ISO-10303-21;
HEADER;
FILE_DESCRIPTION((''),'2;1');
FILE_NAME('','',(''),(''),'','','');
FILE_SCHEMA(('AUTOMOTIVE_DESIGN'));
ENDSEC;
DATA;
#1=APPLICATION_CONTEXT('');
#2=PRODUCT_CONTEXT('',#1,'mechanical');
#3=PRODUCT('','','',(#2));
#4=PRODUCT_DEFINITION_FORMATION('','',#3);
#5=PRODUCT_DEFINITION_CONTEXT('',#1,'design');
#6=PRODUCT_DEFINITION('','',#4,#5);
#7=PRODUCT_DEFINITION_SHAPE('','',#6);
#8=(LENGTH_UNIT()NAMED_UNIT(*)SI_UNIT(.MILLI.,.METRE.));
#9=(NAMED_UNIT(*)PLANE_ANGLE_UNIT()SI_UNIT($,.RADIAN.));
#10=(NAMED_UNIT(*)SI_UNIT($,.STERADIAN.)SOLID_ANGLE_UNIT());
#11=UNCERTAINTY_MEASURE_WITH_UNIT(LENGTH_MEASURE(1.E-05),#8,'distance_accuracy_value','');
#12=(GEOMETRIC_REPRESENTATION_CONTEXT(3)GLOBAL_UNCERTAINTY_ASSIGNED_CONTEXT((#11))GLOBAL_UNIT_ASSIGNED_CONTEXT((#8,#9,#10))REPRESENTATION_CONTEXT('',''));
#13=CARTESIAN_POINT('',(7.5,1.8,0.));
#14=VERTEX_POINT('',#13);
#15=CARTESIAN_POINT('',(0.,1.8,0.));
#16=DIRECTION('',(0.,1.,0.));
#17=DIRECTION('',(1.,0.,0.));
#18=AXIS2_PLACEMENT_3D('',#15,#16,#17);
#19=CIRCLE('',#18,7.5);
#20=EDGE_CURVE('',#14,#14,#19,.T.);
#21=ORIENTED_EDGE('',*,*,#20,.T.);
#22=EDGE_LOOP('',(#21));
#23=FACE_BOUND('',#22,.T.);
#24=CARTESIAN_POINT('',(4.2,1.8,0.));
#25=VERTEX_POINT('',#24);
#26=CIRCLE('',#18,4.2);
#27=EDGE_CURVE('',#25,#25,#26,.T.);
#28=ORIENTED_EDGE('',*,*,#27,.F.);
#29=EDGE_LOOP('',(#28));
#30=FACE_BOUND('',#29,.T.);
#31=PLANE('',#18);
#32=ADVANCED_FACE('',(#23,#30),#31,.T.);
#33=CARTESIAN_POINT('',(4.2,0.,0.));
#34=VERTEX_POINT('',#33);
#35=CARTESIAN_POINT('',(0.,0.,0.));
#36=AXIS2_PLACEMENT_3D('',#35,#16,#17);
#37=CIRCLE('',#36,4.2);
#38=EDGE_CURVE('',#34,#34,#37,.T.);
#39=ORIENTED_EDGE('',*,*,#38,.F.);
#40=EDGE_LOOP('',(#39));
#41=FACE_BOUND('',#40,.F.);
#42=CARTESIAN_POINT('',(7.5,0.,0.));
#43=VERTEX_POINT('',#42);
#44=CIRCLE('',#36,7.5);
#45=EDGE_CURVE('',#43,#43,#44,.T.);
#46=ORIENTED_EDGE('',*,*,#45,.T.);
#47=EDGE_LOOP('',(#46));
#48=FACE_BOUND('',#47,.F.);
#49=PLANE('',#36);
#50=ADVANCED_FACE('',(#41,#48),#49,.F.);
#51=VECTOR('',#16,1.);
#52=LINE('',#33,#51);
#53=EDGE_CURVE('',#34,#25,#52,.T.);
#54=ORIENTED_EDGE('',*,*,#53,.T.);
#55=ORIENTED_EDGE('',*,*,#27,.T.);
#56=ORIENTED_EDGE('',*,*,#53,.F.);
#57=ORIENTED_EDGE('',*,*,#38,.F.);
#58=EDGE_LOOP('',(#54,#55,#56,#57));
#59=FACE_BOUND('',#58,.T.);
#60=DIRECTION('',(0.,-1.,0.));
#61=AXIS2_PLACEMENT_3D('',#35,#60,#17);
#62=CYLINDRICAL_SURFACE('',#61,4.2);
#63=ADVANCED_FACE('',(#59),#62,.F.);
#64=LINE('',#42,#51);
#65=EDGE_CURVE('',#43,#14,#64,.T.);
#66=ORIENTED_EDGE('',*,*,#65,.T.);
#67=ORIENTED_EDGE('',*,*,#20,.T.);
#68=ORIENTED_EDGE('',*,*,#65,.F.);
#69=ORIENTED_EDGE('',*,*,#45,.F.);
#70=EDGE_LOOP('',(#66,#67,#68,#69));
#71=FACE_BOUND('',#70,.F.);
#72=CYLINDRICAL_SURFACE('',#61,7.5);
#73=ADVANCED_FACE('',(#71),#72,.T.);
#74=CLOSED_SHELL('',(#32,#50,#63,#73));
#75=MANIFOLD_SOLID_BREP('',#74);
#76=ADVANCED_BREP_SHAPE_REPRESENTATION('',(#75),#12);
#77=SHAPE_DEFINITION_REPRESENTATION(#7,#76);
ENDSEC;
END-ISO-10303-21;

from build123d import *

# Parameters (mm, degrees)
SKIZZE1_R                       = 7.5
SKIZZE1_R_2                     = 4.2
AUFSATZ_LINEAR_AUSTRAGEN1_DEPTH = 1.8


with BuildPart() as part:
    # Skizze1 → Aufsatz-Linear austragen1 (new body)
    with BuildSketch(Plane(origin=(0, 0, 0), x_dir=(1, 0, 0), z_dir=(0, 1, 0))):
        Circle(SKIZZE1_R)
        Circle(SKIZZE1_R_2, mode=Mode.SUBTRACT)
    extrude(amount=AUFSATZ_LINEAR_AUSTRAGEN1_DEPTH)


solid = part.part
